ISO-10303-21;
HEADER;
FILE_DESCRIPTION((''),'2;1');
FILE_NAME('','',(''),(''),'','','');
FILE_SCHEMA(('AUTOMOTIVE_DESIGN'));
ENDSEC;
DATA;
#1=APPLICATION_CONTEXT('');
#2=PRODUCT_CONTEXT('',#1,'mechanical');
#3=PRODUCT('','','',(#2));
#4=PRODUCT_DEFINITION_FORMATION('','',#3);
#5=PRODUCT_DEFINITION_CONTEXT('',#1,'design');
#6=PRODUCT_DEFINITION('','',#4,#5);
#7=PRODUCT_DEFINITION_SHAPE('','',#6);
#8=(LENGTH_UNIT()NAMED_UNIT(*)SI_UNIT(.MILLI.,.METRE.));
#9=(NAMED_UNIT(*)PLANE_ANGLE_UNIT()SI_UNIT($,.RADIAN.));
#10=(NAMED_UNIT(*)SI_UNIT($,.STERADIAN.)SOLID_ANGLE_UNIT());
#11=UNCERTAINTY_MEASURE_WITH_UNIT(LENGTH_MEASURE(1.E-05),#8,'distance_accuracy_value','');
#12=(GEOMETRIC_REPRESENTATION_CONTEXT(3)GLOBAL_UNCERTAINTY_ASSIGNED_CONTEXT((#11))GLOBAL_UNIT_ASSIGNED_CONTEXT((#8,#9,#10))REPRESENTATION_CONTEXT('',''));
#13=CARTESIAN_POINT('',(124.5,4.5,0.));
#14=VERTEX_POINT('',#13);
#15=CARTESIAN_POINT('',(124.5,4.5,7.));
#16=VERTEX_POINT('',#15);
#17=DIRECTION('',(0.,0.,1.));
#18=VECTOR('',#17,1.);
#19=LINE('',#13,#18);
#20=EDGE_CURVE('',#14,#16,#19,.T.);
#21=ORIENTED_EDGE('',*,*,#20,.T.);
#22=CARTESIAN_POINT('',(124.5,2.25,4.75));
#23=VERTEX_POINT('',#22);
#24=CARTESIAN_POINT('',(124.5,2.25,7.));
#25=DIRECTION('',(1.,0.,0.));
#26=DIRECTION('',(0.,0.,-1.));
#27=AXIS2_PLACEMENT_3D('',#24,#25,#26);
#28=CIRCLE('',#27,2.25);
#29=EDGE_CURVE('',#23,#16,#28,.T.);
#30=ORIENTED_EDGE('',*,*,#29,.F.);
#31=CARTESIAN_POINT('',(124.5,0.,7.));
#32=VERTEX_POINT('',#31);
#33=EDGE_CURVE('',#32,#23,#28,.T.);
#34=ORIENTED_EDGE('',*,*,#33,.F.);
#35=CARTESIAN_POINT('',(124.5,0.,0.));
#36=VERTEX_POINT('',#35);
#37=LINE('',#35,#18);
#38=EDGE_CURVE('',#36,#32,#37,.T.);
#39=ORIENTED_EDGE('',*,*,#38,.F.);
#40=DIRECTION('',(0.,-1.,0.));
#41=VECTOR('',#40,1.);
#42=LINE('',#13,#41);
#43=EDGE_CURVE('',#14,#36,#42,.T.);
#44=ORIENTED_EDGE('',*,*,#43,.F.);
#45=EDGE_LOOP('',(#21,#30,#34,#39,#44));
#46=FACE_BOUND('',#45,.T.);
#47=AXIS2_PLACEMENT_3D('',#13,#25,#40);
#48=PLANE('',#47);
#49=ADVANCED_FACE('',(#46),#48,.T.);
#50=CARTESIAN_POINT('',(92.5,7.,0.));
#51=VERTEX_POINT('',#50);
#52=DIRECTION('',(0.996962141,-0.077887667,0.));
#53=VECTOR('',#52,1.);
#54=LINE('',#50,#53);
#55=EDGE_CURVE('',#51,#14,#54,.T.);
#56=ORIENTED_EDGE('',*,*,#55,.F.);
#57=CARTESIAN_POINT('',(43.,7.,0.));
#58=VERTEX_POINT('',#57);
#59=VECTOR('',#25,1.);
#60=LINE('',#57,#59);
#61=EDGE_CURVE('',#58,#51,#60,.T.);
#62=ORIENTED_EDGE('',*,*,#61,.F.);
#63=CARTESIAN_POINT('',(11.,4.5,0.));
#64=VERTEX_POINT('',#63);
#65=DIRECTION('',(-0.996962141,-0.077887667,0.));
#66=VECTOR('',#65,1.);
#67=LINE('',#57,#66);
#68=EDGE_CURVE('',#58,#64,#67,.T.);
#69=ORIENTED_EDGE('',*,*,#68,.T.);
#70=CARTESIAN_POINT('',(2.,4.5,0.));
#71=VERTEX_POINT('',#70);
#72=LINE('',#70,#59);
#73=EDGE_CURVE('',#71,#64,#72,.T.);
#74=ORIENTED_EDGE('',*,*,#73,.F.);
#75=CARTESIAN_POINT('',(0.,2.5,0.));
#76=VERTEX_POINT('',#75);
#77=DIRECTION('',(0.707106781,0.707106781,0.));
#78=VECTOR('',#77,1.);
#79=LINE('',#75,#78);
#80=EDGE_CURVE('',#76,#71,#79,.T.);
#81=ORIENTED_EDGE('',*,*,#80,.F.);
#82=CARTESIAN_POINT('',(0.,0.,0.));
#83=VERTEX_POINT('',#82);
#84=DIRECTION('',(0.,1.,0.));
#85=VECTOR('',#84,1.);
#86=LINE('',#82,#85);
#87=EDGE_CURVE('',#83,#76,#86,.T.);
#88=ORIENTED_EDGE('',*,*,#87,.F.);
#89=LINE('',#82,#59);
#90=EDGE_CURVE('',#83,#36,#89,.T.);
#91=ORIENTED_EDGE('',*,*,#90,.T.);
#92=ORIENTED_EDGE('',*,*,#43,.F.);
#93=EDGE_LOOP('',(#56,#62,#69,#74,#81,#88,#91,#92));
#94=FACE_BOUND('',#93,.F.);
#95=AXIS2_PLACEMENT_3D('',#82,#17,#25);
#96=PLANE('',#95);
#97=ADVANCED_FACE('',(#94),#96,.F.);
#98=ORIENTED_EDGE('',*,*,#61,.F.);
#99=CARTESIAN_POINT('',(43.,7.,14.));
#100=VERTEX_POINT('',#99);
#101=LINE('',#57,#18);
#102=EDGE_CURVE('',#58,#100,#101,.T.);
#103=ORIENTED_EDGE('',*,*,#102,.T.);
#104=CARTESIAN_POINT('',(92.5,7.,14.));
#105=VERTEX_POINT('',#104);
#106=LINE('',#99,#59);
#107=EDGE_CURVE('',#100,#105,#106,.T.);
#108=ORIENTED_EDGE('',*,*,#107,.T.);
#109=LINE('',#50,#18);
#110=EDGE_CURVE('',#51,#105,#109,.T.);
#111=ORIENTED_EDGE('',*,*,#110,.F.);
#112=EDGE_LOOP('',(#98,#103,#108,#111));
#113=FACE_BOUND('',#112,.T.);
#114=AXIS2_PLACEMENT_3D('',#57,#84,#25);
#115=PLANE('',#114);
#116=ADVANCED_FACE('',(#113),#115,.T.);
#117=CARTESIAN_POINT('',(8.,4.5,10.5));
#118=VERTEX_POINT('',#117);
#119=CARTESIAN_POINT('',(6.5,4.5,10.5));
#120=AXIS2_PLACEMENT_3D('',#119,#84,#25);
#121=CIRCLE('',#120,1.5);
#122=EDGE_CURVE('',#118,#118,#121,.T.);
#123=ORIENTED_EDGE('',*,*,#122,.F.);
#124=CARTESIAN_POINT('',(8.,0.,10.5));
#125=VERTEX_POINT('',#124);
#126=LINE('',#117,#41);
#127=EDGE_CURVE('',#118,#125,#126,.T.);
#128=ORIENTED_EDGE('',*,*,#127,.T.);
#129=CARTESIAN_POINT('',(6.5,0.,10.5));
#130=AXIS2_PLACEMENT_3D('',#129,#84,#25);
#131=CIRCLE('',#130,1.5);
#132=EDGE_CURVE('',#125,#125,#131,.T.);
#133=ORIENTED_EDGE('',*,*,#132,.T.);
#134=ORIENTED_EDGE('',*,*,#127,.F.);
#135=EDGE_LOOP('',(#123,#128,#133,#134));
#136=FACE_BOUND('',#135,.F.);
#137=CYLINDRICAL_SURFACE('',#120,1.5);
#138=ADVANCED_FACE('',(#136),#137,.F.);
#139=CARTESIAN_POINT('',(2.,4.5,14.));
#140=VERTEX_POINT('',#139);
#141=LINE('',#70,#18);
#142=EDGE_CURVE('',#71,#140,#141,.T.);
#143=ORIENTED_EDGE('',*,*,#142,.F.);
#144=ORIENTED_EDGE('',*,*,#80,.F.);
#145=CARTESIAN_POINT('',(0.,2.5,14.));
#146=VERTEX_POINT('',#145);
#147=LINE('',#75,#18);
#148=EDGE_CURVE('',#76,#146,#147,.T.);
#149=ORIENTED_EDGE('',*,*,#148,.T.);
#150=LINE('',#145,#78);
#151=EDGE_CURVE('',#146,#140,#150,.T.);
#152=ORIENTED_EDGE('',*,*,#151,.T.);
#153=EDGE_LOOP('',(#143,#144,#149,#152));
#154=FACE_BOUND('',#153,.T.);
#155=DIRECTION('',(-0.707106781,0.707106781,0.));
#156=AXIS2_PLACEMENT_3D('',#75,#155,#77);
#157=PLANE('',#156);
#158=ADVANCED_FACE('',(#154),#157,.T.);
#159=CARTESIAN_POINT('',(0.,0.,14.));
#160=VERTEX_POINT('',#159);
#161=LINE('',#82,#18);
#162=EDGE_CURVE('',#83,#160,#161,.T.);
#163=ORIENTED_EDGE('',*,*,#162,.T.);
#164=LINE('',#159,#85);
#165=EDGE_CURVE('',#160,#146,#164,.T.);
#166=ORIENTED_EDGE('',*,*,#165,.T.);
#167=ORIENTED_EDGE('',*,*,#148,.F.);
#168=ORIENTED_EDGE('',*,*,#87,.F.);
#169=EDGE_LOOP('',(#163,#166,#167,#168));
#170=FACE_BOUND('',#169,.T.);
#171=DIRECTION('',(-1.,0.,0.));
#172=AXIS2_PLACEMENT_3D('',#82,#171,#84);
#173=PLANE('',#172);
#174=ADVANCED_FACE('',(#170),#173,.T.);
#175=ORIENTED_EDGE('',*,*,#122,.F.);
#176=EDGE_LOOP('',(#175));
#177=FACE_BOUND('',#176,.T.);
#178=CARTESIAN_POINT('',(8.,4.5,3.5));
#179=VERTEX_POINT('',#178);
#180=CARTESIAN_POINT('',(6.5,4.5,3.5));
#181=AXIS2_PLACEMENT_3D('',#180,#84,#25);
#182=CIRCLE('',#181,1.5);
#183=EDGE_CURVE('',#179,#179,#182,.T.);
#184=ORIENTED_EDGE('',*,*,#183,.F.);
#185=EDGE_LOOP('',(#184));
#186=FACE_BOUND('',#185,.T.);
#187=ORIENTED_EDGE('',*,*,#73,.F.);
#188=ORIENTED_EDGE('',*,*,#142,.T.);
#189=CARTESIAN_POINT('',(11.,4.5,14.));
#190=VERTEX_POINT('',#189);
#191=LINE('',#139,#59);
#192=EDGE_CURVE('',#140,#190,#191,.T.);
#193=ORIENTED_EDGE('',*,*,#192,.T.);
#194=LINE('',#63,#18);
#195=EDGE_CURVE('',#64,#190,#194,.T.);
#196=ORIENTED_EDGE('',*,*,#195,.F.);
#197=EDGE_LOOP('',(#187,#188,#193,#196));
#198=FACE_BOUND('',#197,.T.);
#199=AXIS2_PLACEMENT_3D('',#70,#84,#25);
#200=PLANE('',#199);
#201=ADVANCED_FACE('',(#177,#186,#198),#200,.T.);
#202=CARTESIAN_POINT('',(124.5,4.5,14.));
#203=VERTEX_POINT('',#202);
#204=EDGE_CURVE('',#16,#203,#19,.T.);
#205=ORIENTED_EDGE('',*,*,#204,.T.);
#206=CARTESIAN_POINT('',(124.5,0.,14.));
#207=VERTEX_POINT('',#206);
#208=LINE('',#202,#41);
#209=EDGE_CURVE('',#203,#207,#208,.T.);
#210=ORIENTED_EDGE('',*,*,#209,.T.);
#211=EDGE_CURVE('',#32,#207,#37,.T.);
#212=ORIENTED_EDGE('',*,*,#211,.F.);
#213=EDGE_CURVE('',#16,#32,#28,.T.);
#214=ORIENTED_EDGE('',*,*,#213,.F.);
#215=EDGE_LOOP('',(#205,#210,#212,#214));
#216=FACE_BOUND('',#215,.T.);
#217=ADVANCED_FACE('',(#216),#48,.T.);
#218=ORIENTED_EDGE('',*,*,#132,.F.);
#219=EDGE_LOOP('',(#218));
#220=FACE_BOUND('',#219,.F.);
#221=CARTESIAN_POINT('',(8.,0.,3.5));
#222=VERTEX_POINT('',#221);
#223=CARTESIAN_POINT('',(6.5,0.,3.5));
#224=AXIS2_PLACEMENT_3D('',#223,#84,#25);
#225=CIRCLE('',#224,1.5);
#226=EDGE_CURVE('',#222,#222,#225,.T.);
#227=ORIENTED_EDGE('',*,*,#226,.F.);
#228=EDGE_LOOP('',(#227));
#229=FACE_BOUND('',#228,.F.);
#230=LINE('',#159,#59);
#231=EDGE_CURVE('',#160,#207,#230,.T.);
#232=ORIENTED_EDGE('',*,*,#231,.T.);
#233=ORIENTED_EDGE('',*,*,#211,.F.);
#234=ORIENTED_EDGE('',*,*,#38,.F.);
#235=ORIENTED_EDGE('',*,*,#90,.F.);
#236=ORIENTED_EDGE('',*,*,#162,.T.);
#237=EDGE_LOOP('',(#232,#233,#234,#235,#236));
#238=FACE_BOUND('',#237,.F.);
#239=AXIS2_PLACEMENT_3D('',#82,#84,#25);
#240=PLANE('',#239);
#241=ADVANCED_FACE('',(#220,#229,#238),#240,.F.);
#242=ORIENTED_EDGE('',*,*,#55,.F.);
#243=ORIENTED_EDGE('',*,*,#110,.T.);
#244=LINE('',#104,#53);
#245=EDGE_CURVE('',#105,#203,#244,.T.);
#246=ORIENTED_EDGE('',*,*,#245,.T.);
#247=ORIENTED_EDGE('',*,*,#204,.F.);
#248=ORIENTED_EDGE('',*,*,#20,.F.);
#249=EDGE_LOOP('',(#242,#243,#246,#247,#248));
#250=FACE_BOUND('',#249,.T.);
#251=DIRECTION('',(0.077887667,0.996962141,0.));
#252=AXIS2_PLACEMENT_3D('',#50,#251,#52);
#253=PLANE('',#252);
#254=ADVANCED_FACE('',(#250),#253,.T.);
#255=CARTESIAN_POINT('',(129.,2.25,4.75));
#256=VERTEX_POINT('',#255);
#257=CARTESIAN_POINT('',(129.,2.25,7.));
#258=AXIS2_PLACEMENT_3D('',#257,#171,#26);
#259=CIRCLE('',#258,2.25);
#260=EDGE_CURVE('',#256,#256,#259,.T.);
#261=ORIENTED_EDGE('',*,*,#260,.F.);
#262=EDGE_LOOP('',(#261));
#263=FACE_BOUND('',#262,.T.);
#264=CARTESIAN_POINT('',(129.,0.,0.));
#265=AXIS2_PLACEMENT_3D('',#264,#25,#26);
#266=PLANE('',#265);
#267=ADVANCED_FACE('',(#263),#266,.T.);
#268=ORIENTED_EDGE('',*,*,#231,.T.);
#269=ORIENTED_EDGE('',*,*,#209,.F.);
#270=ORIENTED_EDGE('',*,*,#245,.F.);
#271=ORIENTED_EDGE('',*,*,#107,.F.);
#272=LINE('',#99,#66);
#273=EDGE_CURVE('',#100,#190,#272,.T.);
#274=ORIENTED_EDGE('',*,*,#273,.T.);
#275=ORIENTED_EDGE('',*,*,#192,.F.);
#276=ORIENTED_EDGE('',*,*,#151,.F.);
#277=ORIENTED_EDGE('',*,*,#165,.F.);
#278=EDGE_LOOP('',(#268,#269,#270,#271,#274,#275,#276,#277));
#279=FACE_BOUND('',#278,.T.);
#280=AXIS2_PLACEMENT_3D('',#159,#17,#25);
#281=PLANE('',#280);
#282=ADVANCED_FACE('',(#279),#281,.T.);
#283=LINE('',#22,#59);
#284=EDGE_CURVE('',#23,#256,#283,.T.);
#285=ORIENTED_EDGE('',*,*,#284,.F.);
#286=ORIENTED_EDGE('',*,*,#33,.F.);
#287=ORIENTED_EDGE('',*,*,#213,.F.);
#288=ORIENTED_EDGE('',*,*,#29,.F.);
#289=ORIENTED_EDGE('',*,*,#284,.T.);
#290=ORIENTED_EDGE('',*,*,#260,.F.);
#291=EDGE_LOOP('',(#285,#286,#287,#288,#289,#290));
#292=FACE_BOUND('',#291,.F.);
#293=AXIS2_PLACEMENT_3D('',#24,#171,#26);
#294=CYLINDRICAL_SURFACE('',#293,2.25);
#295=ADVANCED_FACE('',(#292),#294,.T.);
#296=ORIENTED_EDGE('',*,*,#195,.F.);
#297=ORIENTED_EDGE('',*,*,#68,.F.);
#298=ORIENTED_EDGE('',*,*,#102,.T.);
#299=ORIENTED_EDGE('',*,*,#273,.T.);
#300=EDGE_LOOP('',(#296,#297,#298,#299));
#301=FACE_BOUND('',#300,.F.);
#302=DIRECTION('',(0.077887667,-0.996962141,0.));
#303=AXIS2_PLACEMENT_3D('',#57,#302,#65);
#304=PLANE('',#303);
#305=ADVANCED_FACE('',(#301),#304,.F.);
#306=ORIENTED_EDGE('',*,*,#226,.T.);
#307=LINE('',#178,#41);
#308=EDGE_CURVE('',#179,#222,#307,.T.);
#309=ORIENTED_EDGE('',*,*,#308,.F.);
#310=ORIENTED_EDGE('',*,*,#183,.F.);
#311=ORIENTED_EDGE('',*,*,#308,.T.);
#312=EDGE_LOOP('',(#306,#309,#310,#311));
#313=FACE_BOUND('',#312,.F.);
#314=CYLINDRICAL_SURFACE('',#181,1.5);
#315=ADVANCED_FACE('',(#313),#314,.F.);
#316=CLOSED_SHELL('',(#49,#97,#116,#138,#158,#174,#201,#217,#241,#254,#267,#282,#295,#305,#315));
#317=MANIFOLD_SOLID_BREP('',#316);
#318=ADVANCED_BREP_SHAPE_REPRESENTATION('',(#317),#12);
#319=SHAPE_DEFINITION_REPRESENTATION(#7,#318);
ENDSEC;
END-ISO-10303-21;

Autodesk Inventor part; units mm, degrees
ref_plane "YZ Plane" through (0, 0, 0) normal (1, 0, 0) x (0, 1, 0)
ref_plane "XZ Plane" through (0, 0, 0) normal (0, 1, 0) x (-1, 0, 0)
ref_plane "XY Plane" through (0, 0, 0) normal (0, 0, 1) x (1, 0, 0)
sketch "Sketch1" plane through (0, 0, 0) normal (0, 0, 1) x (1, 0, 0)
  line L0 (0, 0) -> (0, 2.5)
  line L1 (2, 4.5) -> (11, 4.5)
  line L2 (0, 2.5) -> (2, 4.5)
  line L3 (0, 8.8411) -> (0, 0) construction
  line L4 (43, 7) -> (92.5, 7)
  line L5 (43, 11.0001) -> (43, -2.4525) construction
  line L6 (43, 7) -> (11, 4.5)
  line L7 (92.5, 7) -> (124.5, 4.5)
  line L8 (0, 0) -> (149.0621, 0)
  line L9 (124.5, 4.5) -> (124.5, 0)
  dimension "d0" = 4.5
  dimension "d1" = 45
  dimension "d2" = 7
  dimension "d3" = 9
  dimension "d4" = 32
  dimension "d5" = 49.5
  dimension "d8" = 32
  dimension "d9" = 2
  dimension "d10" = 4.5
extrude "Extrusion1" add sketch "Sketch1" along normal blind 14
sketch "Sketch2" plane through (124.5, 0, 0) normal (1, 0, 0) x (0, 0, -1)
  circle A0 centre (-7, 2.25) radius 2.25
  line L0 (0, 4.5) -> (-14, 4.5) projected
  line L1 (-7, 4.5) -> (-7, -0.9771) construction
  line L2 (0, 2.5) -> (-14, 2.5) projected
  point P0 (0, 0)
  dimension "d13" = 4.5
extrude "Extrusion2" add sketch "Sketch2" along normal blind 4.5
sketch "Sketch3" plane through (2, 4.5, 0) normal (0, 1, 0) x (1, 0, 0)
  circle A0 centre (4.5, -3.5) radius 1.5
  circle A1 centre (4.5, -10.5) radius 1.5
  line L0 (9, 0) -> (0, 0) projected
  line L1 (9, -14) -> (0, -14) projected
  line L2 (0, 0) -> (0, -14) projected
  point P0 (-2, 0)
  dimension "d16" = 7
  dimension "d17" = 3.5
  dimension "d18" = 3.5
  dimension "d19" = 4.5
  dimension "d20" = 3
  dimension "d21" = 3
extrude "Extrusion3" cut sketch "Sketch3" against normal blind 4.5
